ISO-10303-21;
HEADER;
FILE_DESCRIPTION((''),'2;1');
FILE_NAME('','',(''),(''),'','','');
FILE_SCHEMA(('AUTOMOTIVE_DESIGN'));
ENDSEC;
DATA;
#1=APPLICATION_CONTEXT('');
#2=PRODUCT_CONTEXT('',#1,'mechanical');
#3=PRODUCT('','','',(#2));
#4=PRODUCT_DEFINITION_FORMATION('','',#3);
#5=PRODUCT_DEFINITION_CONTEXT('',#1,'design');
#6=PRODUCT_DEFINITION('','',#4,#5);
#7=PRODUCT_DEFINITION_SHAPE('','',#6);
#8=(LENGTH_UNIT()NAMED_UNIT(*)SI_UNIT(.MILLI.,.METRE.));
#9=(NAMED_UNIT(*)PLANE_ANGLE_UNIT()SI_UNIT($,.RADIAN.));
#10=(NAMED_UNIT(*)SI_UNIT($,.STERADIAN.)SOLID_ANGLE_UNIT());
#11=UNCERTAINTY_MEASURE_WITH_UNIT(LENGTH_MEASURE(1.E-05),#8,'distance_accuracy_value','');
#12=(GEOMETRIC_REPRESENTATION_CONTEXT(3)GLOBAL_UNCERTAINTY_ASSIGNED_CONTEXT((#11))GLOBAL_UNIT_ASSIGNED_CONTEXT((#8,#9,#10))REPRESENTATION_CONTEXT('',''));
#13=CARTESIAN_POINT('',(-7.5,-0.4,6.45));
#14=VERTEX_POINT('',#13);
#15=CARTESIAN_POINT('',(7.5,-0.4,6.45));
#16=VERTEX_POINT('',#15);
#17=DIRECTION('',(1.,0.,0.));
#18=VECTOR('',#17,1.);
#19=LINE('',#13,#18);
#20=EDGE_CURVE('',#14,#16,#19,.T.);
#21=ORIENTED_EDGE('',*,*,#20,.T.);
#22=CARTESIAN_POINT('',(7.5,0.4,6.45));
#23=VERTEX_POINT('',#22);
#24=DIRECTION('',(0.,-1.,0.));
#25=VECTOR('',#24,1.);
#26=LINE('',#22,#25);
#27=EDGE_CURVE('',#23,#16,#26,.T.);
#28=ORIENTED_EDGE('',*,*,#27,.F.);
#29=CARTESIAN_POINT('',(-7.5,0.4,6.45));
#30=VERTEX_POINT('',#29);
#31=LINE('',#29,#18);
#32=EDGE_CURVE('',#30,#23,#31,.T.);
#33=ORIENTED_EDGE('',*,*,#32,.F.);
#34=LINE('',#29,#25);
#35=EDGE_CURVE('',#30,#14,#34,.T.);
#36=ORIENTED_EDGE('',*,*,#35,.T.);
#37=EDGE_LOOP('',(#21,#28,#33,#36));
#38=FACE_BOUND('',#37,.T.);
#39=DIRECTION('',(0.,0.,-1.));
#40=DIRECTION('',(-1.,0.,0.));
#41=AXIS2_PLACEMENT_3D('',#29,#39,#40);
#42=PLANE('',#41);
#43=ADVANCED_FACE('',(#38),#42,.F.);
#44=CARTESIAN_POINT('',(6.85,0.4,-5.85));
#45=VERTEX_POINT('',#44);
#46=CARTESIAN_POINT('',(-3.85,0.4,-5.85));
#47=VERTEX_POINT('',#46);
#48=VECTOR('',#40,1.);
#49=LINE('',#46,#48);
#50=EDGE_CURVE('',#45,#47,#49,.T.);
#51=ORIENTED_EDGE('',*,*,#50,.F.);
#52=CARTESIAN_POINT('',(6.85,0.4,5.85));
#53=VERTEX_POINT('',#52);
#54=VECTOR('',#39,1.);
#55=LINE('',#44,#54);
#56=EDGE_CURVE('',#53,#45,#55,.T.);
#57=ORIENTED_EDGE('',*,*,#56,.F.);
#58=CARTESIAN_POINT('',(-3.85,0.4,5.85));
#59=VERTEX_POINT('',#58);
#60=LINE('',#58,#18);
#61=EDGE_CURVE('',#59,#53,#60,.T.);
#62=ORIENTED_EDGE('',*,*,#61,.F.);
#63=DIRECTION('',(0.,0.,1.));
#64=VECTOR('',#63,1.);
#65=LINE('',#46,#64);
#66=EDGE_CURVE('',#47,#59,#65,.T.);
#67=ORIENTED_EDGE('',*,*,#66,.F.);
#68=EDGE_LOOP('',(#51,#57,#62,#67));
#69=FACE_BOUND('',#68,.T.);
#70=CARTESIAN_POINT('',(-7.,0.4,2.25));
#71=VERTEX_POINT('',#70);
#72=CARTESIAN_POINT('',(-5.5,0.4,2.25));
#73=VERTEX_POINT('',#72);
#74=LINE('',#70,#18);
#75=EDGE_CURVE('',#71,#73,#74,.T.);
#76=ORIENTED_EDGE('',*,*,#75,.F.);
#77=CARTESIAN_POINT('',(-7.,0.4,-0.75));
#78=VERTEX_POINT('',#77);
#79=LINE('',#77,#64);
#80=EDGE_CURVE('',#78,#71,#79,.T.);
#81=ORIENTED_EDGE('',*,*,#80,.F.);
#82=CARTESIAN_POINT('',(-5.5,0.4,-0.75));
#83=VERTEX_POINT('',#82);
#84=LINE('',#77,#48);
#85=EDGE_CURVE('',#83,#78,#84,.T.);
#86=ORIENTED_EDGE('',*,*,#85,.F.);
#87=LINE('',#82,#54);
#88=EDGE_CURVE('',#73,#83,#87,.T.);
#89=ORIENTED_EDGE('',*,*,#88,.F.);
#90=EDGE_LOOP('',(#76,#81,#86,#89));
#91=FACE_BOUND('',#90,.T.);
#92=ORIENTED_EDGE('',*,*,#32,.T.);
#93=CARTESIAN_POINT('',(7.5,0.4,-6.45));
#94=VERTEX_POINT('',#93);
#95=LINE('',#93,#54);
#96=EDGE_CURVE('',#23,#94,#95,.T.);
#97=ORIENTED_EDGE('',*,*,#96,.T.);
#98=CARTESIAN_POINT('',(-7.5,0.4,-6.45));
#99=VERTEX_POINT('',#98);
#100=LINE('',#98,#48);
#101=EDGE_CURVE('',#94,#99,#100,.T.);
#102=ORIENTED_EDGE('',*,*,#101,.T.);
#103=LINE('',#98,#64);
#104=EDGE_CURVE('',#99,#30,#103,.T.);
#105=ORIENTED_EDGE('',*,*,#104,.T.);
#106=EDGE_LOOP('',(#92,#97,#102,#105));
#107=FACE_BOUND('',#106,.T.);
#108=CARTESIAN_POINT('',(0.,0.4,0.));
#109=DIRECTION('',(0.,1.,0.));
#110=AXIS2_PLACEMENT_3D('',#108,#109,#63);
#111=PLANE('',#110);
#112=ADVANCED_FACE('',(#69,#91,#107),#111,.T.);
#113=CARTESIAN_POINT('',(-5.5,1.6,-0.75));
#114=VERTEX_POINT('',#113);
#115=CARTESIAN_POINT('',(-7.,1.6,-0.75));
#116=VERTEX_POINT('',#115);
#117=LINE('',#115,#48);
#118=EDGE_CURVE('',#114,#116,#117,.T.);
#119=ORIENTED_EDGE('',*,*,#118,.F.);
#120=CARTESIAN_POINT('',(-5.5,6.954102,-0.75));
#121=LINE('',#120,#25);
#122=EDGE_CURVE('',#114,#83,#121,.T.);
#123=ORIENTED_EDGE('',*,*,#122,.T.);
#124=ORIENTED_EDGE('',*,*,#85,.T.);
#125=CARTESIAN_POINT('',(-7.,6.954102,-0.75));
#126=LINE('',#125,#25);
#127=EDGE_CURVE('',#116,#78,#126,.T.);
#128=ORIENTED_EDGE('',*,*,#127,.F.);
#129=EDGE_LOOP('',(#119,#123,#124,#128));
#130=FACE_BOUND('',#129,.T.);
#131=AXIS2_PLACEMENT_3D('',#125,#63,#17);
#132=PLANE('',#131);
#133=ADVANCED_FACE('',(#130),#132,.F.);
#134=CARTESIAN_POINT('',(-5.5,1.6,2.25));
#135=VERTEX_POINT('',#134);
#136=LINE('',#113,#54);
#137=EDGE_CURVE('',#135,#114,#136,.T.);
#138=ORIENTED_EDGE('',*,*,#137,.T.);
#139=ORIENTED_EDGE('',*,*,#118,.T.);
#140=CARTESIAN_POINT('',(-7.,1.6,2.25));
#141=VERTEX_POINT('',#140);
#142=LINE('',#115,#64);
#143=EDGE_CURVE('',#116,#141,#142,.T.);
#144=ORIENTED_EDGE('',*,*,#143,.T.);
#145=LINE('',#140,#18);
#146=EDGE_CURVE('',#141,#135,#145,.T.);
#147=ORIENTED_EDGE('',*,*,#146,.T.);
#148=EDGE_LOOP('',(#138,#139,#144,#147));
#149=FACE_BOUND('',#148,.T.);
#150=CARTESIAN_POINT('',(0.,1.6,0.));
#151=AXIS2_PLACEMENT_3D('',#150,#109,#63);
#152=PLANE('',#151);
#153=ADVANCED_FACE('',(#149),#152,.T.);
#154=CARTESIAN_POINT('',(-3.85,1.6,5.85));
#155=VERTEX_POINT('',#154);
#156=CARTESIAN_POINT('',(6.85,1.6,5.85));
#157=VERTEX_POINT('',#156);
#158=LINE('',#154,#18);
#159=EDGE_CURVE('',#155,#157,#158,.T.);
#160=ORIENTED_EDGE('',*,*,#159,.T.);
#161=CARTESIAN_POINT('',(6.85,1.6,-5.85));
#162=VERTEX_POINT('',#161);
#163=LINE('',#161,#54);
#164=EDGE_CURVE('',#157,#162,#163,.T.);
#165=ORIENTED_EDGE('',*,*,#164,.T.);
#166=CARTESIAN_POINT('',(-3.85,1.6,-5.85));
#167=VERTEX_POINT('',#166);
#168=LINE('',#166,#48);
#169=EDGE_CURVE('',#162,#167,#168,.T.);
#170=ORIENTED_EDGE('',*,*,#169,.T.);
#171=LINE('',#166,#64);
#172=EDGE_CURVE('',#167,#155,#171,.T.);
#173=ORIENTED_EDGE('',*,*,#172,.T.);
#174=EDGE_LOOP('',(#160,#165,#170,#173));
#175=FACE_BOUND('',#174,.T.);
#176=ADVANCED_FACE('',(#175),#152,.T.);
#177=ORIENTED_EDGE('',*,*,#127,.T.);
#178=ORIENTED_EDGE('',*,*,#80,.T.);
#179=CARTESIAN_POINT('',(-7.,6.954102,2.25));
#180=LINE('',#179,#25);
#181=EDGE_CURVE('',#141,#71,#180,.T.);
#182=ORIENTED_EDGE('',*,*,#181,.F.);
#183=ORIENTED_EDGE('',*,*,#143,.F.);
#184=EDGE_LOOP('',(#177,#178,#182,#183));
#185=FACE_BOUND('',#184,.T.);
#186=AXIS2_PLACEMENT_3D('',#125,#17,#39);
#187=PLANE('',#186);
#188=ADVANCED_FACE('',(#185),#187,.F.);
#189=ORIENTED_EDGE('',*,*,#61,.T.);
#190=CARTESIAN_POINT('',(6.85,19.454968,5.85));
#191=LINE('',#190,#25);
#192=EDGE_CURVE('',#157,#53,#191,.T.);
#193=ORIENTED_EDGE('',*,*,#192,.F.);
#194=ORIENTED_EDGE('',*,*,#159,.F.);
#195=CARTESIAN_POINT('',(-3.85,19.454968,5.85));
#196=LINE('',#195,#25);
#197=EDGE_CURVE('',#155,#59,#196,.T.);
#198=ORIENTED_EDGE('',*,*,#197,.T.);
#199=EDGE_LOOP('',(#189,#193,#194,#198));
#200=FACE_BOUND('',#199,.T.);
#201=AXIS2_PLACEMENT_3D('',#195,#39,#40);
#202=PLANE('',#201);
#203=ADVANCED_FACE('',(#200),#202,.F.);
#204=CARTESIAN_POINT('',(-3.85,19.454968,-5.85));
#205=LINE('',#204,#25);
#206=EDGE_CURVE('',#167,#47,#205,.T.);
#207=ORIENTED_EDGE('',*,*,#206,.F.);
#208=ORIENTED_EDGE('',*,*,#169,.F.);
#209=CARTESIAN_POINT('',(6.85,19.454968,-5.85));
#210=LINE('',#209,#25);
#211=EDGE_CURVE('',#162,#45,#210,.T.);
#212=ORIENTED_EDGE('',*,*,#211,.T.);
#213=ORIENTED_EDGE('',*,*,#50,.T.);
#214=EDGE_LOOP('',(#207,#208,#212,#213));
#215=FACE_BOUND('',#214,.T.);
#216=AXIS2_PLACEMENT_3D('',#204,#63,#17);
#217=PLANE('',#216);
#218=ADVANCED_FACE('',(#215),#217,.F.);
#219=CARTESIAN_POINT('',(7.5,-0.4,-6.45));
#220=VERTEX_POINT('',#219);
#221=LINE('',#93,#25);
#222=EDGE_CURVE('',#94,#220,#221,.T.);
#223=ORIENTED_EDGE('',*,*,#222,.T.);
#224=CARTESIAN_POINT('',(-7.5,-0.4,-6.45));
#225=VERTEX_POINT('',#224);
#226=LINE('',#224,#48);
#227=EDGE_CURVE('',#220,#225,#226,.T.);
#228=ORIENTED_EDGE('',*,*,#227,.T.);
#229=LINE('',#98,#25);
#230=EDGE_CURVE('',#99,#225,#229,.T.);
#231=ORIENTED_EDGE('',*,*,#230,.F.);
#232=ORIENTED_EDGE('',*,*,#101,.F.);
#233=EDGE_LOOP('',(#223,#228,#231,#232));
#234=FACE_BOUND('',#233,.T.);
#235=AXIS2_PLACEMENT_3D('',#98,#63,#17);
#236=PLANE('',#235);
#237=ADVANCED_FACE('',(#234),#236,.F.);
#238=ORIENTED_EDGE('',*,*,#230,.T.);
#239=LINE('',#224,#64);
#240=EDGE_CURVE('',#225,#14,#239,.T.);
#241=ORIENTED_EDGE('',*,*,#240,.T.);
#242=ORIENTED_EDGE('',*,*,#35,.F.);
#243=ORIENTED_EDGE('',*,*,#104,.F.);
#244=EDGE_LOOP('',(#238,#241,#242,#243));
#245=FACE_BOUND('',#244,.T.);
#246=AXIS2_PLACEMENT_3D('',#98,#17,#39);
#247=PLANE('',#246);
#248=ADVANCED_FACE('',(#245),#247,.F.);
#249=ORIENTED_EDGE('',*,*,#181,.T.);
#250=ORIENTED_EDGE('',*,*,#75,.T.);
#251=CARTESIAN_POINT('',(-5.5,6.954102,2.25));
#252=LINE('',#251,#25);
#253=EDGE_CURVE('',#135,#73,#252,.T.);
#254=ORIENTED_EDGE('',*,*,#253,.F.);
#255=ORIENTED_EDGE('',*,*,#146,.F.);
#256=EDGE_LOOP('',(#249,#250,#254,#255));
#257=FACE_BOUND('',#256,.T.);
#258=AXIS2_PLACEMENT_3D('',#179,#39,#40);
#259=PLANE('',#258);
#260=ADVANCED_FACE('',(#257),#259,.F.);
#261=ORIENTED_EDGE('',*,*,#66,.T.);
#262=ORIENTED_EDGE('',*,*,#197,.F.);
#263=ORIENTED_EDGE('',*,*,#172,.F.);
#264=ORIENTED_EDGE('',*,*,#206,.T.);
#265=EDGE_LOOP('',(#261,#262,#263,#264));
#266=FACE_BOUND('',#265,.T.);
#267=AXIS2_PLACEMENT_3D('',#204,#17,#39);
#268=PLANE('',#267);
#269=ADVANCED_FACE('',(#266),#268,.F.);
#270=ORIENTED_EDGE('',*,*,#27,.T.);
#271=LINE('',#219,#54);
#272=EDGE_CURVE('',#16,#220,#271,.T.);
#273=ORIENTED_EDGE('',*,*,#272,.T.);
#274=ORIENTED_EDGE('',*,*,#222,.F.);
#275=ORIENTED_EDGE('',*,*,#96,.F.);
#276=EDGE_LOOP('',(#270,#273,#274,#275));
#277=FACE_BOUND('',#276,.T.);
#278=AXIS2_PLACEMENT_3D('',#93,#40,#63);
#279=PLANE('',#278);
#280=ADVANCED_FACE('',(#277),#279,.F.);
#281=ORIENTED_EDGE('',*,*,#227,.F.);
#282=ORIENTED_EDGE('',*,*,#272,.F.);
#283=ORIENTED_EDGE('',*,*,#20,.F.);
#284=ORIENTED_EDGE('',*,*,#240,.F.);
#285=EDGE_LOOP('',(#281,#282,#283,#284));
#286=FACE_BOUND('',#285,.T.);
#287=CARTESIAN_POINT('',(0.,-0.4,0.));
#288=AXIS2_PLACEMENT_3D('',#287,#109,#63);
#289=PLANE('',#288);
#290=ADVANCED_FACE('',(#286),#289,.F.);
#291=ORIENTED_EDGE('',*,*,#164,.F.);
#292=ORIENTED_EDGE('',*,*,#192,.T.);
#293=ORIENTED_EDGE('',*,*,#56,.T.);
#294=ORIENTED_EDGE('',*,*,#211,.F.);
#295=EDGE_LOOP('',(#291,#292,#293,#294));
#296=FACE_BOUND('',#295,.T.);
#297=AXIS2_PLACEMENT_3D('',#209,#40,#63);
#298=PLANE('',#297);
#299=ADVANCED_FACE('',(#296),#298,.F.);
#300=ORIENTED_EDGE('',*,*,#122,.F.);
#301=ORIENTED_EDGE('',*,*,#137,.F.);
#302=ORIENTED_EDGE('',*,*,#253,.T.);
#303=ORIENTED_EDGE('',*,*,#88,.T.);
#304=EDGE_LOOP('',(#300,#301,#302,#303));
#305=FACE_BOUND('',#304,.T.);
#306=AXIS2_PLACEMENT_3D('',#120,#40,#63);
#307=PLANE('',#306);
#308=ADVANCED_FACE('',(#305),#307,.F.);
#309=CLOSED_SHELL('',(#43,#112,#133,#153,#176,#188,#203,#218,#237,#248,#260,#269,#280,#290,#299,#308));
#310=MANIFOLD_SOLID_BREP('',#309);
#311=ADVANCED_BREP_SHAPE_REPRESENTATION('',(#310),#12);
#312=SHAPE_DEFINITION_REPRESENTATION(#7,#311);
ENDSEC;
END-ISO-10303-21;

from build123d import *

# Parameters (mm, degrees)
SKETCH1_W           = 15
SKETCH1_H           = 12.9
BOSS_EXTRUDE1_DEPTH = 0.4
SKETCH2_W           = 10.7
SKETCH2_H           = 11.7
BOSS_EXTRUDE2_DEPTH = 1.2
SKETCH3_W           = 1.5
SKETCH3_H           = 3
BOSS_EXTRUDE3_DEPTH = 1.2


with BuildPart() as part:
    # Sketch1 → Boss-Extrude1 (new body, symmetric)
    with BuildSketch(Plane(origin=(0, 0, 0), x_dir=(1, 0, 0), z_dir=(0, 1, 0))):
        Rectangle(SKETCH1_W, SKETCH1_H)
    extrude(amount=BOSS_EXTRUDE1_DEPTH, both=True)

    # Sketch2 → Boss-Extrude2 (add)
    with BuildSketch(Plane(origin=(0, 0.4, 0), x_dir=(1, 0, 0), z_dir=(0, 1, 0))):
        with Locations((1.5, 0)):
            Rectangle(SKETCH2_W, SKETCH2_H)
    extrude(amount=BOSS_EXTRUDE2_DEPTH)

    # Sketch3 → Boss-Extrude3 (add)
    with BuildSketch(Plane(origin=(0, 0.4, 0), x_dir=(1, 0, 0), z_dir=(0, 1, 0))):
        with Locations((-6.25, -0.75)):
            Rectangle(SKETCH3_W, SKETCH3_H)
    extrude(amount=BOSS_EXTRUDE3_DEPTH)


solid = part.part
